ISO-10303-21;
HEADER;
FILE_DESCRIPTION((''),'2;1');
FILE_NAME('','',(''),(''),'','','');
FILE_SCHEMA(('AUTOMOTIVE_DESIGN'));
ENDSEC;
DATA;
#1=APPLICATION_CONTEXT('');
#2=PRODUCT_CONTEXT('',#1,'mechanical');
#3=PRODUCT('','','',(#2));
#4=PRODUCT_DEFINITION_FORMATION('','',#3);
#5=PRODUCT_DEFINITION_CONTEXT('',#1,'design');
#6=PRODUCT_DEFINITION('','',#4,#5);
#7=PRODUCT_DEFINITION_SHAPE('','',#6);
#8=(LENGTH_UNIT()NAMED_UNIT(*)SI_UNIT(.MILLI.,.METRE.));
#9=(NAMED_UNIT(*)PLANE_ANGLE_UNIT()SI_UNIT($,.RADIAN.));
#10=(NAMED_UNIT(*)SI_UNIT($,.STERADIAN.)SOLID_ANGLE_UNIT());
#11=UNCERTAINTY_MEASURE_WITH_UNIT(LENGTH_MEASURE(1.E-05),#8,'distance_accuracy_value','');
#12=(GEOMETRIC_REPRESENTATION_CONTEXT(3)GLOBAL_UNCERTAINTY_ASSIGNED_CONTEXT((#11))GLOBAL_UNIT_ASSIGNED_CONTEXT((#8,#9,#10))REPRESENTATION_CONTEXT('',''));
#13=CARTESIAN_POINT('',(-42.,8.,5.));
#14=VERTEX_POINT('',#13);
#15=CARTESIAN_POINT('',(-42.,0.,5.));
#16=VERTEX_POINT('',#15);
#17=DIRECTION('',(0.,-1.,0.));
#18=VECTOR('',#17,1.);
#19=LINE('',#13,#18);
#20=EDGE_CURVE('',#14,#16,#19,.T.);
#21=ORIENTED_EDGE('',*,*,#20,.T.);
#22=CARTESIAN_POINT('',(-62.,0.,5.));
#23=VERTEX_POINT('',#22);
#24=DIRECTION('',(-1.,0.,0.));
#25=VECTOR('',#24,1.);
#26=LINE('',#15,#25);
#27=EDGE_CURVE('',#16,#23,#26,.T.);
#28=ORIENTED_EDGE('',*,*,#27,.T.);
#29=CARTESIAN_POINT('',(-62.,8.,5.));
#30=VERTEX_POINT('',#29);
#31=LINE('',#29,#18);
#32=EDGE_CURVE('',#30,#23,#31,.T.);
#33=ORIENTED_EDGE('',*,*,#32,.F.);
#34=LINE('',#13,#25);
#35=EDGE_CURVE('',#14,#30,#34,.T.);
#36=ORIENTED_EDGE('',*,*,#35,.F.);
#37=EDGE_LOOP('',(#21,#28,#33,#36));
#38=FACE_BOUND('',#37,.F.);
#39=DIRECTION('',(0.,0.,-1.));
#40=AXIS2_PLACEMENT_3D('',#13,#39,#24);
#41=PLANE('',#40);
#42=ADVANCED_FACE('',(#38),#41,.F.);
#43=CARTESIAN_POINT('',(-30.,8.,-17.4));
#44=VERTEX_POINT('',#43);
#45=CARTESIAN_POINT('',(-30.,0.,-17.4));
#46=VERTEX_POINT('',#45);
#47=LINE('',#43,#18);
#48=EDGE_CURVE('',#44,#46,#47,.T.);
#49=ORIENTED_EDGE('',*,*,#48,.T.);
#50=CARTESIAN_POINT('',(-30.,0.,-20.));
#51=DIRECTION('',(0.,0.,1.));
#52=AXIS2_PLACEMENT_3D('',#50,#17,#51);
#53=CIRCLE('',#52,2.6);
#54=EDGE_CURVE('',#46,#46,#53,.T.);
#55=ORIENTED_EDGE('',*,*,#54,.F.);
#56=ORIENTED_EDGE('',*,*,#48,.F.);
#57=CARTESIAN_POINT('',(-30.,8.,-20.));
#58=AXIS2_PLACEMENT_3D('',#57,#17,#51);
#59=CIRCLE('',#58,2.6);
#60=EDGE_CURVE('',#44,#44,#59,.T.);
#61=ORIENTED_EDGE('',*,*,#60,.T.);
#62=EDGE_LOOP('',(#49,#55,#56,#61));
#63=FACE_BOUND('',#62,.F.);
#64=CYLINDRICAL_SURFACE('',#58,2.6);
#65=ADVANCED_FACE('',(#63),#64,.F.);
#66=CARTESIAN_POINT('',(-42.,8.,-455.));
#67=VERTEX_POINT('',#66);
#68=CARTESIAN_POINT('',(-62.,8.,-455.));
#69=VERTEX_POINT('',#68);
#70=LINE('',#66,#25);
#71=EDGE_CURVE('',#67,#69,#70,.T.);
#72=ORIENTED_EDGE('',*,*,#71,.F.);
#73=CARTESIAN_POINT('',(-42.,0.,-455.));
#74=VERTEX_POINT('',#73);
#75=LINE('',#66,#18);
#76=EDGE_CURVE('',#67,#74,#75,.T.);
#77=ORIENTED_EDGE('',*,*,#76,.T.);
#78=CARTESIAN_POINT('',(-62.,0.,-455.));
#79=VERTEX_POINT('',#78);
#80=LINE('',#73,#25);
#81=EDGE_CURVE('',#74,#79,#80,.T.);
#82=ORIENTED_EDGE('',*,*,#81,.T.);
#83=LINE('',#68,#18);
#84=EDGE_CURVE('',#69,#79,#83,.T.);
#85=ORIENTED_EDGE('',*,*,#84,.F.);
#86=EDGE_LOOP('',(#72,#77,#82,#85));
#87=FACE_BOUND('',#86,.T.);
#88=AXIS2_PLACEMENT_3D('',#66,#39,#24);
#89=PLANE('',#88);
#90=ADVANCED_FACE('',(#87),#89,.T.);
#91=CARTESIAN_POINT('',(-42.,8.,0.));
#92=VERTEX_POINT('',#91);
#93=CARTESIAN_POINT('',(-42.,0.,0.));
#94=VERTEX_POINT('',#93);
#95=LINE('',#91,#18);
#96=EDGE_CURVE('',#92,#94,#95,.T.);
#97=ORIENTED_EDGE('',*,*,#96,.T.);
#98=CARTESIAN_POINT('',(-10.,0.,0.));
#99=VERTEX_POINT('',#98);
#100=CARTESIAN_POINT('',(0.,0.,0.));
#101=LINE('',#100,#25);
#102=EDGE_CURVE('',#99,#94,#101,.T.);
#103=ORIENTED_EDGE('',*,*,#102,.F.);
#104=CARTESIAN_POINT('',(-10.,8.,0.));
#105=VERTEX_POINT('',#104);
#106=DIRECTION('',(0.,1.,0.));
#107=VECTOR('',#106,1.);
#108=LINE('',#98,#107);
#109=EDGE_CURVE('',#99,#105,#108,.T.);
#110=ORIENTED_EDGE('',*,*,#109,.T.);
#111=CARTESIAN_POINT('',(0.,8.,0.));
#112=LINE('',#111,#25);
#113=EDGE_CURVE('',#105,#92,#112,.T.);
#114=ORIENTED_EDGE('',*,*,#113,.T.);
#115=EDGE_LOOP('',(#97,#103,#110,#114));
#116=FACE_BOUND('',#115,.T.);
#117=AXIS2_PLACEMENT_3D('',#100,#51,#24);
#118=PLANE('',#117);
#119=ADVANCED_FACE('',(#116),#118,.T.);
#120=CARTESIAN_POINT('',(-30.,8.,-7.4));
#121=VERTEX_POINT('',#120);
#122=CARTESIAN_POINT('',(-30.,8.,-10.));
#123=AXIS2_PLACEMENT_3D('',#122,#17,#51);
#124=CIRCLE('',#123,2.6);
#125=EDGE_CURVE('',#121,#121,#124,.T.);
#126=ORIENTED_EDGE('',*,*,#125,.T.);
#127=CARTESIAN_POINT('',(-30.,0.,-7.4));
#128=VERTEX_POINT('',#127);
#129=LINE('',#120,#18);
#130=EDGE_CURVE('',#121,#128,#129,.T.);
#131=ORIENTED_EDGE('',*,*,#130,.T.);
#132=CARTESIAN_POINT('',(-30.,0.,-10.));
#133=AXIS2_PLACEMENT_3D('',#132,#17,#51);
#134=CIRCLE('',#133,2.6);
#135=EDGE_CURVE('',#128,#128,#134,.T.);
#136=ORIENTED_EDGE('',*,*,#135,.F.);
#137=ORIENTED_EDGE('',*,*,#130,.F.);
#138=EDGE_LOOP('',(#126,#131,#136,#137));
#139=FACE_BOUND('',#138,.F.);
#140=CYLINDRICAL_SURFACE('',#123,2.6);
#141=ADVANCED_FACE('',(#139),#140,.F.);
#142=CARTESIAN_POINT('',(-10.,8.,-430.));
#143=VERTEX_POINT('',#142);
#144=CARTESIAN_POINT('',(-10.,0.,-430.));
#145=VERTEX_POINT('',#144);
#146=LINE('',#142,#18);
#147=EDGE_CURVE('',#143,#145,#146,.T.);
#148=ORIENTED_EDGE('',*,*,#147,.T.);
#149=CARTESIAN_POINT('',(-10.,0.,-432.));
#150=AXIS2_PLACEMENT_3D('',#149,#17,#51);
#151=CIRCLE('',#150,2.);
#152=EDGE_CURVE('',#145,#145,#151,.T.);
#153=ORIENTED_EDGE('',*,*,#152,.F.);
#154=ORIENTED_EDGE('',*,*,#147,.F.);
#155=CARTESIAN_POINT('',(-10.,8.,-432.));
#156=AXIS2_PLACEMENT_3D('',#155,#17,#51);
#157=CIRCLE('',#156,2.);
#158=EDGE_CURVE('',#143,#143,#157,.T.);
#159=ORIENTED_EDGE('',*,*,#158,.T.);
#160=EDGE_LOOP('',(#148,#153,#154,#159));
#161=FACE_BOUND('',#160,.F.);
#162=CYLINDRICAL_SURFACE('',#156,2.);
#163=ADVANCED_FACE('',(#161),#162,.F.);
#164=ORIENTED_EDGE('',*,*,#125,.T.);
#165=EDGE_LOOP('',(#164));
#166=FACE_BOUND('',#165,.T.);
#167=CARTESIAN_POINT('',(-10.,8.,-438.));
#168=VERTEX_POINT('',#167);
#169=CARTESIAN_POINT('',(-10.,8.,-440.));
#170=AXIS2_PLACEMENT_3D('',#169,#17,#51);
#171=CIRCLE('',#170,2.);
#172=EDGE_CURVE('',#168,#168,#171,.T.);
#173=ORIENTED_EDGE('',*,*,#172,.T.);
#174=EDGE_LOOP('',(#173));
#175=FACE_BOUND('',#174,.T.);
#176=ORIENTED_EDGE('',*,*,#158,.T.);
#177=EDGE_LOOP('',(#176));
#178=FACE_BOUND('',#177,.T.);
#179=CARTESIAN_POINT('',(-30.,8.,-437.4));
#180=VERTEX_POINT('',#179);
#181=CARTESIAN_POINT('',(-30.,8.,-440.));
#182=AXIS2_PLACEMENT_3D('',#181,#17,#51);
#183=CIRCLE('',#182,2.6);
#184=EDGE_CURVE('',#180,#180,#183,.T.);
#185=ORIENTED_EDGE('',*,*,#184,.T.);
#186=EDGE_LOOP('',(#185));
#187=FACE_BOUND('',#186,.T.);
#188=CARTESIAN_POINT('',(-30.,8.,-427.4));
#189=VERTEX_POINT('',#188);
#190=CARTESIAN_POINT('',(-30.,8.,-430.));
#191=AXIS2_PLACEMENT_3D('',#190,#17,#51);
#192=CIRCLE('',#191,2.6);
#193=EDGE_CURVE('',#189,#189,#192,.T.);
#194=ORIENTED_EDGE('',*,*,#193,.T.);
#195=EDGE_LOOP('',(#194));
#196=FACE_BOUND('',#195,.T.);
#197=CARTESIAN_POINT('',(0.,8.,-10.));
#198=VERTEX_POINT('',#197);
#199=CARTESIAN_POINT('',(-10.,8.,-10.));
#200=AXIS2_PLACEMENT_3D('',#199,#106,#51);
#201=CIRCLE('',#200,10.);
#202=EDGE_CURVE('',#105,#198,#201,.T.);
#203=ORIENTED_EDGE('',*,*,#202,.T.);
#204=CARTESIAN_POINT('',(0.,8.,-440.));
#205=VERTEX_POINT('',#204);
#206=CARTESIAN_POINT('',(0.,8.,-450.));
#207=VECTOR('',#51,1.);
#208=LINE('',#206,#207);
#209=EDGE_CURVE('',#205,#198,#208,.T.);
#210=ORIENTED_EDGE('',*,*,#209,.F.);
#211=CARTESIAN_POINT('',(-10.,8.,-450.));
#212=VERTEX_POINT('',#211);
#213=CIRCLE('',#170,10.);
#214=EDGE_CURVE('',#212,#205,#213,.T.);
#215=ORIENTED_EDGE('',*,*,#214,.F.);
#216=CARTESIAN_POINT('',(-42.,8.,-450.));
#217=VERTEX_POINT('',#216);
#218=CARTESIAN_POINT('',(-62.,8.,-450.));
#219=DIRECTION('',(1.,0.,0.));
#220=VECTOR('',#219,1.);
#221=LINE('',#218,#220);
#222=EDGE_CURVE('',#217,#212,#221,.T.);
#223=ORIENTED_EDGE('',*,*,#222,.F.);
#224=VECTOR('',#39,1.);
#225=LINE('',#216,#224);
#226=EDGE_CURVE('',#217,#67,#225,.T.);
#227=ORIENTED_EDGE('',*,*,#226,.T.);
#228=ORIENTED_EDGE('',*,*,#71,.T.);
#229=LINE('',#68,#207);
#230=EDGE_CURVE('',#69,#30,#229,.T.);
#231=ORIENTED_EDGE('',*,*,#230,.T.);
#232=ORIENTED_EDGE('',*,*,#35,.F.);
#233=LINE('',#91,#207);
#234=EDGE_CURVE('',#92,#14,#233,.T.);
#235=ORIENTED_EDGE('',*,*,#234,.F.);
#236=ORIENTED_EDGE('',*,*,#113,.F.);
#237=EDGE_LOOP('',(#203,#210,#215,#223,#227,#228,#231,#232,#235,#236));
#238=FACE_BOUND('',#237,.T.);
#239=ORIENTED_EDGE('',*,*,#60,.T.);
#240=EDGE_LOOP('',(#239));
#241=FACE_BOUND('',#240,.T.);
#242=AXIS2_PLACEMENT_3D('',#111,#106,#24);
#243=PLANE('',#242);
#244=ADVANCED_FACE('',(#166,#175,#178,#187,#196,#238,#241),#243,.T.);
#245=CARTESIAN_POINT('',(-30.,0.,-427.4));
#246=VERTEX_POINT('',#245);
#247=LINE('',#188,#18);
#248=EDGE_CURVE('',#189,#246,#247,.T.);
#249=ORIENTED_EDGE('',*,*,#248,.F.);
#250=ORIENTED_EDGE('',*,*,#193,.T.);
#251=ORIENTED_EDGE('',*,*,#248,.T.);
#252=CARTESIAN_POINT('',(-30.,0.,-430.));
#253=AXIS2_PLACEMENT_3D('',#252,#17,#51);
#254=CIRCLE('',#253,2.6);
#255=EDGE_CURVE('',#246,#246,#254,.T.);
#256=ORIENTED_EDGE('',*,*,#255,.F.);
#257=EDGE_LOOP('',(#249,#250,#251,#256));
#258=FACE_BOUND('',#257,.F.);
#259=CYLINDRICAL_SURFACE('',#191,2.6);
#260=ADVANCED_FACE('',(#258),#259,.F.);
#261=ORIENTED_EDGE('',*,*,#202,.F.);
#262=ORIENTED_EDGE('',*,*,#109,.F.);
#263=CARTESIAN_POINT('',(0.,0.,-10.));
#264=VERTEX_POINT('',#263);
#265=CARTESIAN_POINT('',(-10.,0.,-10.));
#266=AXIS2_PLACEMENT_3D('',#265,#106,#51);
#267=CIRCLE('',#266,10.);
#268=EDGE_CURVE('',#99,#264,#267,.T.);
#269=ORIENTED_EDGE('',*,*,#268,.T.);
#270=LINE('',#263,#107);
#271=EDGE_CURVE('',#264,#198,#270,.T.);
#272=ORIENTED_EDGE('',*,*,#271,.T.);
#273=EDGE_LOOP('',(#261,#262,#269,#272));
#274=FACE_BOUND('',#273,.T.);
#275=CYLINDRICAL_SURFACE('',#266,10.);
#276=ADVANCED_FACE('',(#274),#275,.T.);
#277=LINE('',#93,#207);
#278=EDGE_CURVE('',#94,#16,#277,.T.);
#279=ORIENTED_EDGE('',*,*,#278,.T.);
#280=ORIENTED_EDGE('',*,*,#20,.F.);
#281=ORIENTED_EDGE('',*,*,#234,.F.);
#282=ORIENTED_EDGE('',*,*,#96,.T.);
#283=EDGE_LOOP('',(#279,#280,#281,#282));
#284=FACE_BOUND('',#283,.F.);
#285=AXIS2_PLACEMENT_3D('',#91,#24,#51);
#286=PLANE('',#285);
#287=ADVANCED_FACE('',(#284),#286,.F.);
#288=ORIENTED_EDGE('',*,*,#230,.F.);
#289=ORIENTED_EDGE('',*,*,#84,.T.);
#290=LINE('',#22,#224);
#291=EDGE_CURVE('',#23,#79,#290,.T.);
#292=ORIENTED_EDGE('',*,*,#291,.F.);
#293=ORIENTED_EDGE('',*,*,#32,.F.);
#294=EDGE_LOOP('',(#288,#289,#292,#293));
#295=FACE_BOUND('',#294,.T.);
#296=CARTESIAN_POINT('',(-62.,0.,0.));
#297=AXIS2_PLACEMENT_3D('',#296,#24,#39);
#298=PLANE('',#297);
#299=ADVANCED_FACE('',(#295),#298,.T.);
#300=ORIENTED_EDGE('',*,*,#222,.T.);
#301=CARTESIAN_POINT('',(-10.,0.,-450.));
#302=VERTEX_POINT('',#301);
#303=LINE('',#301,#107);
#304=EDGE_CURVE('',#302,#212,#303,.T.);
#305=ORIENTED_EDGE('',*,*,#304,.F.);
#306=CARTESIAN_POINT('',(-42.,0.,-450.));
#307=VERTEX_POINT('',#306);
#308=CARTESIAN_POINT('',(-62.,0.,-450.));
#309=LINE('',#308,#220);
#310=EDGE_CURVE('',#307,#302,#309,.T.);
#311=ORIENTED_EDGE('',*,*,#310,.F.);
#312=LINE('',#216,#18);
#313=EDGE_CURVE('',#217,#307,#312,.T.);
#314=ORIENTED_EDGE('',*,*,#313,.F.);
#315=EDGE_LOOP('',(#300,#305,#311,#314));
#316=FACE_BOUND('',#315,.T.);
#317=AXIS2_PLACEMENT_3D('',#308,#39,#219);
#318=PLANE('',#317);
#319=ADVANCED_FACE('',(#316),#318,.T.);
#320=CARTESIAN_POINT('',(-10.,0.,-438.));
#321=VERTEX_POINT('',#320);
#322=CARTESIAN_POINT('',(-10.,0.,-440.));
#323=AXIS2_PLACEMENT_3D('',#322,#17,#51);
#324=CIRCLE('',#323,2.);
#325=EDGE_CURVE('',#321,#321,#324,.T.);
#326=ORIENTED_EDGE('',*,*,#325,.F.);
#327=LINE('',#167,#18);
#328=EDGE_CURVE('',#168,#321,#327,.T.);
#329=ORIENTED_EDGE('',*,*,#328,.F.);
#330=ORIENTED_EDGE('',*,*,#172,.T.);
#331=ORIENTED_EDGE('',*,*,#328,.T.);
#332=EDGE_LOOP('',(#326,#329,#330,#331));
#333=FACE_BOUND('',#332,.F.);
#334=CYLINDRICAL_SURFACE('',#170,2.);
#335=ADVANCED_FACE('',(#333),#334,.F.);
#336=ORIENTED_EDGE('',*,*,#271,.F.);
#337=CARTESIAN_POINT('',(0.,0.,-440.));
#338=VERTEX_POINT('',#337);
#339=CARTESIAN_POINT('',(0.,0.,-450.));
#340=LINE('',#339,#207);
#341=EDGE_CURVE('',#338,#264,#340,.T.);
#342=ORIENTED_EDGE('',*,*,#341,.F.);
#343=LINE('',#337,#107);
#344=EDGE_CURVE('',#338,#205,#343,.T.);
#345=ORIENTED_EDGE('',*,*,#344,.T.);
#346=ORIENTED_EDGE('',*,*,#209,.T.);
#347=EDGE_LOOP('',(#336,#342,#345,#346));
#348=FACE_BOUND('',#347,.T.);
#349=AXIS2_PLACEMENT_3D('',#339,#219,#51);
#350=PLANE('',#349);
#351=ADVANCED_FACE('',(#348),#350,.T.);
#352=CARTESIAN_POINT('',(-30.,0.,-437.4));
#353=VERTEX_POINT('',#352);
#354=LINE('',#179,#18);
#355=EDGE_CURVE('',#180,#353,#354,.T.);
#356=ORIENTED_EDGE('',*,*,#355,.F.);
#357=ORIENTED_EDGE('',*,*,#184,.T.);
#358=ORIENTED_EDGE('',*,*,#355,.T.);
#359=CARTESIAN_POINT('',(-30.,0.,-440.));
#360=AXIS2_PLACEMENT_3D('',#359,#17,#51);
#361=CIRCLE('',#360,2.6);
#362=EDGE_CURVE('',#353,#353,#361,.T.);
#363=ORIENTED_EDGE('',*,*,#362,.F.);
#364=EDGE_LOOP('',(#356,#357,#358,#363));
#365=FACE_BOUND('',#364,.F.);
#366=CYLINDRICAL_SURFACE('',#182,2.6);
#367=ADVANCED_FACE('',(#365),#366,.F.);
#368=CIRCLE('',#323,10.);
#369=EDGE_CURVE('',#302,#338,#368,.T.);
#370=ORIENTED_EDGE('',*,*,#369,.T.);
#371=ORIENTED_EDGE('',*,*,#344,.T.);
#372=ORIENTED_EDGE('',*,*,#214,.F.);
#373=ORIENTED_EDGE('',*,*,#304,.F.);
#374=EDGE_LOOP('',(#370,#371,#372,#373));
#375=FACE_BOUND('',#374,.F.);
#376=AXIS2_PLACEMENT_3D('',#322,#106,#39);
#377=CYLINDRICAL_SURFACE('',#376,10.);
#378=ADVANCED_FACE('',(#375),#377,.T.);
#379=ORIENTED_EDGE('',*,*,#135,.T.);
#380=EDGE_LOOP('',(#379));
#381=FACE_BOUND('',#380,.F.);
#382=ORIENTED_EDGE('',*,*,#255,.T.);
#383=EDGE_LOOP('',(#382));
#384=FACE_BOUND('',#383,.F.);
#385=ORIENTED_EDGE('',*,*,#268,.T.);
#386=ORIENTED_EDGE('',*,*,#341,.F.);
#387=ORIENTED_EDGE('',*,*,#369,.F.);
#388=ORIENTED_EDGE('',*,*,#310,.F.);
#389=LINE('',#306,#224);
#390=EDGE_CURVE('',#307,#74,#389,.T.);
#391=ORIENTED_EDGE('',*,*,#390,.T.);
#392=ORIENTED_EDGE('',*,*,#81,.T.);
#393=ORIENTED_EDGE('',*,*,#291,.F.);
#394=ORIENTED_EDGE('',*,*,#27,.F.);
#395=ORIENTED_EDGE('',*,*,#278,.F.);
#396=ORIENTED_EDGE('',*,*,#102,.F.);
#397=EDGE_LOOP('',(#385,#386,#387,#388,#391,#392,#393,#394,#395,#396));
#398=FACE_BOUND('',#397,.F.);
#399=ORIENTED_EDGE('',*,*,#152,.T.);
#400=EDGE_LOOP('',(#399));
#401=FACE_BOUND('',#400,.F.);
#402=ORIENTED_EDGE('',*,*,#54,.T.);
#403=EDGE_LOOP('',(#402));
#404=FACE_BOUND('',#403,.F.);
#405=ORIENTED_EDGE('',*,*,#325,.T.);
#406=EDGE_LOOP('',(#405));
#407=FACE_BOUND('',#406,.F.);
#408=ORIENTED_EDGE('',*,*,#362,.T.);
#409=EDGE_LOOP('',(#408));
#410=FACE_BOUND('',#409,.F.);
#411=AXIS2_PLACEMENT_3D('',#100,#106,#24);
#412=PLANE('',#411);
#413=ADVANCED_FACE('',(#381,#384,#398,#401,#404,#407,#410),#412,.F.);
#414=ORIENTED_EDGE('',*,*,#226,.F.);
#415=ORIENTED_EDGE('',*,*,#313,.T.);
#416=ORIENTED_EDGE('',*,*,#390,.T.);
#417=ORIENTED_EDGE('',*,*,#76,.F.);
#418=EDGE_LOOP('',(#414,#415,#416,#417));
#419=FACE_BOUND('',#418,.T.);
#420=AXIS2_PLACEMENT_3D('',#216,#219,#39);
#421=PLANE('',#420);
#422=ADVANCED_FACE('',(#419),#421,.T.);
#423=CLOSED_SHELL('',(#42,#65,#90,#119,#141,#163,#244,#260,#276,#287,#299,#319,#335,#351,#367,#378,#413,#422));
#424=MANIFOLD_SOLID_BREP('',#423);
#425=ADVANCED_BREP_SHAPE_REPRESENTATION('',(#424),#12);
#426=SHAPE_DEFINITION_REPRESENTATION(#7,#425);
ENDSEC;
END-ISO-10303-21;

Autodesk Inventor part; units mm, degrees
ref_plane "YZ Plane" through (0, 0, 0) normal (1, 0, 0) x (0, 1, 0)
ref_plane "XZ Plane" through (0, 0, 0) normal (0, 1, 0) x (-1, 0, 0)
ref_plane "XY Plane" through (0, 0, 0) normal (0, 0, 1) x (1, 0, 0)
sketch "Sketch1" plane through (0, 0, 0) normal (0, 1, 0) x (-1, 0, 0)
  line L0 (0, 0) -> (62, 0)
  line L1 (62, 0) -> (62, -450)
  line L2 (62, -450) -> (0, -450)
  line L3 (0, -450) -> (0, 0)
  dimension "d0" = 62
  dimension "d1" = 450
extrude "Extrusion1" add sketch "Sketch1" along normal blind 8
fillet "Fillet1" radius 10 2 edges at (0, 4, 0) (0, 4, -450)
sketch "Sketch3" plane through (0, 8, 0) normal (0, 1, 0) x (1, 0, 0)
  point P0 (0, 0)
sketch "Sketch4" plane through (0, 8, 0) normal (0, 1, 0) x (1, 0, 0)
  circle A0 centre (-10, 440) radius 2
  circle A1 centre (-10, 432) radius 2
  line L0 (0, 10) -> (0, 440) projected
  line L1 (-10, 450) -> (-62, 450) projected
  point P0 (0, 0)
  dimension "d25" = 10
  dimension "d26" = 10
  dimension "d27" = 4
  dimension "d28" = 4
  dimension "d29" = 10
  dimension "d30" = 8
hole "Hole2" at (-10, 8, -432) at (-10, 8, -440) direction (0, -1, 0) diameter 4 end through all
sketch "Sketch5" plane through (0, 8, 0) normal (0, 1, 0) x (1, 0, 0)
  point P0 (0, 0)
sketch "Sketch6" plane through (0, 8, 0) normal (0, 1, 0) x (1, 0, 0)
  circle A0 centre (-30, 20) radius 2.6
  circle A1 centre (-30, 10) radius 2.6
  line L0 (-62, 0) -> (-10, 0) projected
  line L1 (-62, 450) -> (-62, 0) projected
  line L2 (-101.8296, 225) -> (129.7674, 225) construction
  circle A2 centre (-30, 430) radius 2.6
  circle A3 centre (-30, 440) radius 2.6
  point P0 (0, 0)
  point P1 (-10, 450)
  dimension "d38" = 5.2
  dimension "d39" = 5.2
  dimension "d40" = 20
  dimension "d41" = 10
  dimension "d42" = 32
  dimension "d43" = 32
  dimension "d44" = 225
hole "Hole3" at (-30, 8, -20) at (-30, 8, -10) at (-30, 8, -440) at (-30, 8, -430) direction (0, -1, 0) diameter 5.2 end through all
sketch "Sketch7" plane through (0, 8, 0) normal (0, 1, 0) x (1, 0, 0)
  line L0 (-62, 450) -> (-62, 0) projected
  line L1 (-62, 0) -> (-42, 0)
  line L2 (-42, 0) -> (-42, -5)
  line L3 (-42, -5) -> (-62, -5)
  line L4 (-62, -5) -> (-62, 0)
  line L5 (-62, 450) -> (-42, 450)
  line L6 (-42, 450) -> (-42, 455)
  line L7 (-42, 455) -> (-62, 455)
  line L8 (-62, 455) -> (-62, 450)
  point P0 (0, 0)
  dimension "d52" = 20
  dimension "d53" = 5
  dimension "d54" = 20
  dimension "d55" = 5
extrude "Extrusion2" add sketch "Sketch7" against normal blind 8
equation "\"d31\" = d28"
properties part number "X_Kettenhalter"
